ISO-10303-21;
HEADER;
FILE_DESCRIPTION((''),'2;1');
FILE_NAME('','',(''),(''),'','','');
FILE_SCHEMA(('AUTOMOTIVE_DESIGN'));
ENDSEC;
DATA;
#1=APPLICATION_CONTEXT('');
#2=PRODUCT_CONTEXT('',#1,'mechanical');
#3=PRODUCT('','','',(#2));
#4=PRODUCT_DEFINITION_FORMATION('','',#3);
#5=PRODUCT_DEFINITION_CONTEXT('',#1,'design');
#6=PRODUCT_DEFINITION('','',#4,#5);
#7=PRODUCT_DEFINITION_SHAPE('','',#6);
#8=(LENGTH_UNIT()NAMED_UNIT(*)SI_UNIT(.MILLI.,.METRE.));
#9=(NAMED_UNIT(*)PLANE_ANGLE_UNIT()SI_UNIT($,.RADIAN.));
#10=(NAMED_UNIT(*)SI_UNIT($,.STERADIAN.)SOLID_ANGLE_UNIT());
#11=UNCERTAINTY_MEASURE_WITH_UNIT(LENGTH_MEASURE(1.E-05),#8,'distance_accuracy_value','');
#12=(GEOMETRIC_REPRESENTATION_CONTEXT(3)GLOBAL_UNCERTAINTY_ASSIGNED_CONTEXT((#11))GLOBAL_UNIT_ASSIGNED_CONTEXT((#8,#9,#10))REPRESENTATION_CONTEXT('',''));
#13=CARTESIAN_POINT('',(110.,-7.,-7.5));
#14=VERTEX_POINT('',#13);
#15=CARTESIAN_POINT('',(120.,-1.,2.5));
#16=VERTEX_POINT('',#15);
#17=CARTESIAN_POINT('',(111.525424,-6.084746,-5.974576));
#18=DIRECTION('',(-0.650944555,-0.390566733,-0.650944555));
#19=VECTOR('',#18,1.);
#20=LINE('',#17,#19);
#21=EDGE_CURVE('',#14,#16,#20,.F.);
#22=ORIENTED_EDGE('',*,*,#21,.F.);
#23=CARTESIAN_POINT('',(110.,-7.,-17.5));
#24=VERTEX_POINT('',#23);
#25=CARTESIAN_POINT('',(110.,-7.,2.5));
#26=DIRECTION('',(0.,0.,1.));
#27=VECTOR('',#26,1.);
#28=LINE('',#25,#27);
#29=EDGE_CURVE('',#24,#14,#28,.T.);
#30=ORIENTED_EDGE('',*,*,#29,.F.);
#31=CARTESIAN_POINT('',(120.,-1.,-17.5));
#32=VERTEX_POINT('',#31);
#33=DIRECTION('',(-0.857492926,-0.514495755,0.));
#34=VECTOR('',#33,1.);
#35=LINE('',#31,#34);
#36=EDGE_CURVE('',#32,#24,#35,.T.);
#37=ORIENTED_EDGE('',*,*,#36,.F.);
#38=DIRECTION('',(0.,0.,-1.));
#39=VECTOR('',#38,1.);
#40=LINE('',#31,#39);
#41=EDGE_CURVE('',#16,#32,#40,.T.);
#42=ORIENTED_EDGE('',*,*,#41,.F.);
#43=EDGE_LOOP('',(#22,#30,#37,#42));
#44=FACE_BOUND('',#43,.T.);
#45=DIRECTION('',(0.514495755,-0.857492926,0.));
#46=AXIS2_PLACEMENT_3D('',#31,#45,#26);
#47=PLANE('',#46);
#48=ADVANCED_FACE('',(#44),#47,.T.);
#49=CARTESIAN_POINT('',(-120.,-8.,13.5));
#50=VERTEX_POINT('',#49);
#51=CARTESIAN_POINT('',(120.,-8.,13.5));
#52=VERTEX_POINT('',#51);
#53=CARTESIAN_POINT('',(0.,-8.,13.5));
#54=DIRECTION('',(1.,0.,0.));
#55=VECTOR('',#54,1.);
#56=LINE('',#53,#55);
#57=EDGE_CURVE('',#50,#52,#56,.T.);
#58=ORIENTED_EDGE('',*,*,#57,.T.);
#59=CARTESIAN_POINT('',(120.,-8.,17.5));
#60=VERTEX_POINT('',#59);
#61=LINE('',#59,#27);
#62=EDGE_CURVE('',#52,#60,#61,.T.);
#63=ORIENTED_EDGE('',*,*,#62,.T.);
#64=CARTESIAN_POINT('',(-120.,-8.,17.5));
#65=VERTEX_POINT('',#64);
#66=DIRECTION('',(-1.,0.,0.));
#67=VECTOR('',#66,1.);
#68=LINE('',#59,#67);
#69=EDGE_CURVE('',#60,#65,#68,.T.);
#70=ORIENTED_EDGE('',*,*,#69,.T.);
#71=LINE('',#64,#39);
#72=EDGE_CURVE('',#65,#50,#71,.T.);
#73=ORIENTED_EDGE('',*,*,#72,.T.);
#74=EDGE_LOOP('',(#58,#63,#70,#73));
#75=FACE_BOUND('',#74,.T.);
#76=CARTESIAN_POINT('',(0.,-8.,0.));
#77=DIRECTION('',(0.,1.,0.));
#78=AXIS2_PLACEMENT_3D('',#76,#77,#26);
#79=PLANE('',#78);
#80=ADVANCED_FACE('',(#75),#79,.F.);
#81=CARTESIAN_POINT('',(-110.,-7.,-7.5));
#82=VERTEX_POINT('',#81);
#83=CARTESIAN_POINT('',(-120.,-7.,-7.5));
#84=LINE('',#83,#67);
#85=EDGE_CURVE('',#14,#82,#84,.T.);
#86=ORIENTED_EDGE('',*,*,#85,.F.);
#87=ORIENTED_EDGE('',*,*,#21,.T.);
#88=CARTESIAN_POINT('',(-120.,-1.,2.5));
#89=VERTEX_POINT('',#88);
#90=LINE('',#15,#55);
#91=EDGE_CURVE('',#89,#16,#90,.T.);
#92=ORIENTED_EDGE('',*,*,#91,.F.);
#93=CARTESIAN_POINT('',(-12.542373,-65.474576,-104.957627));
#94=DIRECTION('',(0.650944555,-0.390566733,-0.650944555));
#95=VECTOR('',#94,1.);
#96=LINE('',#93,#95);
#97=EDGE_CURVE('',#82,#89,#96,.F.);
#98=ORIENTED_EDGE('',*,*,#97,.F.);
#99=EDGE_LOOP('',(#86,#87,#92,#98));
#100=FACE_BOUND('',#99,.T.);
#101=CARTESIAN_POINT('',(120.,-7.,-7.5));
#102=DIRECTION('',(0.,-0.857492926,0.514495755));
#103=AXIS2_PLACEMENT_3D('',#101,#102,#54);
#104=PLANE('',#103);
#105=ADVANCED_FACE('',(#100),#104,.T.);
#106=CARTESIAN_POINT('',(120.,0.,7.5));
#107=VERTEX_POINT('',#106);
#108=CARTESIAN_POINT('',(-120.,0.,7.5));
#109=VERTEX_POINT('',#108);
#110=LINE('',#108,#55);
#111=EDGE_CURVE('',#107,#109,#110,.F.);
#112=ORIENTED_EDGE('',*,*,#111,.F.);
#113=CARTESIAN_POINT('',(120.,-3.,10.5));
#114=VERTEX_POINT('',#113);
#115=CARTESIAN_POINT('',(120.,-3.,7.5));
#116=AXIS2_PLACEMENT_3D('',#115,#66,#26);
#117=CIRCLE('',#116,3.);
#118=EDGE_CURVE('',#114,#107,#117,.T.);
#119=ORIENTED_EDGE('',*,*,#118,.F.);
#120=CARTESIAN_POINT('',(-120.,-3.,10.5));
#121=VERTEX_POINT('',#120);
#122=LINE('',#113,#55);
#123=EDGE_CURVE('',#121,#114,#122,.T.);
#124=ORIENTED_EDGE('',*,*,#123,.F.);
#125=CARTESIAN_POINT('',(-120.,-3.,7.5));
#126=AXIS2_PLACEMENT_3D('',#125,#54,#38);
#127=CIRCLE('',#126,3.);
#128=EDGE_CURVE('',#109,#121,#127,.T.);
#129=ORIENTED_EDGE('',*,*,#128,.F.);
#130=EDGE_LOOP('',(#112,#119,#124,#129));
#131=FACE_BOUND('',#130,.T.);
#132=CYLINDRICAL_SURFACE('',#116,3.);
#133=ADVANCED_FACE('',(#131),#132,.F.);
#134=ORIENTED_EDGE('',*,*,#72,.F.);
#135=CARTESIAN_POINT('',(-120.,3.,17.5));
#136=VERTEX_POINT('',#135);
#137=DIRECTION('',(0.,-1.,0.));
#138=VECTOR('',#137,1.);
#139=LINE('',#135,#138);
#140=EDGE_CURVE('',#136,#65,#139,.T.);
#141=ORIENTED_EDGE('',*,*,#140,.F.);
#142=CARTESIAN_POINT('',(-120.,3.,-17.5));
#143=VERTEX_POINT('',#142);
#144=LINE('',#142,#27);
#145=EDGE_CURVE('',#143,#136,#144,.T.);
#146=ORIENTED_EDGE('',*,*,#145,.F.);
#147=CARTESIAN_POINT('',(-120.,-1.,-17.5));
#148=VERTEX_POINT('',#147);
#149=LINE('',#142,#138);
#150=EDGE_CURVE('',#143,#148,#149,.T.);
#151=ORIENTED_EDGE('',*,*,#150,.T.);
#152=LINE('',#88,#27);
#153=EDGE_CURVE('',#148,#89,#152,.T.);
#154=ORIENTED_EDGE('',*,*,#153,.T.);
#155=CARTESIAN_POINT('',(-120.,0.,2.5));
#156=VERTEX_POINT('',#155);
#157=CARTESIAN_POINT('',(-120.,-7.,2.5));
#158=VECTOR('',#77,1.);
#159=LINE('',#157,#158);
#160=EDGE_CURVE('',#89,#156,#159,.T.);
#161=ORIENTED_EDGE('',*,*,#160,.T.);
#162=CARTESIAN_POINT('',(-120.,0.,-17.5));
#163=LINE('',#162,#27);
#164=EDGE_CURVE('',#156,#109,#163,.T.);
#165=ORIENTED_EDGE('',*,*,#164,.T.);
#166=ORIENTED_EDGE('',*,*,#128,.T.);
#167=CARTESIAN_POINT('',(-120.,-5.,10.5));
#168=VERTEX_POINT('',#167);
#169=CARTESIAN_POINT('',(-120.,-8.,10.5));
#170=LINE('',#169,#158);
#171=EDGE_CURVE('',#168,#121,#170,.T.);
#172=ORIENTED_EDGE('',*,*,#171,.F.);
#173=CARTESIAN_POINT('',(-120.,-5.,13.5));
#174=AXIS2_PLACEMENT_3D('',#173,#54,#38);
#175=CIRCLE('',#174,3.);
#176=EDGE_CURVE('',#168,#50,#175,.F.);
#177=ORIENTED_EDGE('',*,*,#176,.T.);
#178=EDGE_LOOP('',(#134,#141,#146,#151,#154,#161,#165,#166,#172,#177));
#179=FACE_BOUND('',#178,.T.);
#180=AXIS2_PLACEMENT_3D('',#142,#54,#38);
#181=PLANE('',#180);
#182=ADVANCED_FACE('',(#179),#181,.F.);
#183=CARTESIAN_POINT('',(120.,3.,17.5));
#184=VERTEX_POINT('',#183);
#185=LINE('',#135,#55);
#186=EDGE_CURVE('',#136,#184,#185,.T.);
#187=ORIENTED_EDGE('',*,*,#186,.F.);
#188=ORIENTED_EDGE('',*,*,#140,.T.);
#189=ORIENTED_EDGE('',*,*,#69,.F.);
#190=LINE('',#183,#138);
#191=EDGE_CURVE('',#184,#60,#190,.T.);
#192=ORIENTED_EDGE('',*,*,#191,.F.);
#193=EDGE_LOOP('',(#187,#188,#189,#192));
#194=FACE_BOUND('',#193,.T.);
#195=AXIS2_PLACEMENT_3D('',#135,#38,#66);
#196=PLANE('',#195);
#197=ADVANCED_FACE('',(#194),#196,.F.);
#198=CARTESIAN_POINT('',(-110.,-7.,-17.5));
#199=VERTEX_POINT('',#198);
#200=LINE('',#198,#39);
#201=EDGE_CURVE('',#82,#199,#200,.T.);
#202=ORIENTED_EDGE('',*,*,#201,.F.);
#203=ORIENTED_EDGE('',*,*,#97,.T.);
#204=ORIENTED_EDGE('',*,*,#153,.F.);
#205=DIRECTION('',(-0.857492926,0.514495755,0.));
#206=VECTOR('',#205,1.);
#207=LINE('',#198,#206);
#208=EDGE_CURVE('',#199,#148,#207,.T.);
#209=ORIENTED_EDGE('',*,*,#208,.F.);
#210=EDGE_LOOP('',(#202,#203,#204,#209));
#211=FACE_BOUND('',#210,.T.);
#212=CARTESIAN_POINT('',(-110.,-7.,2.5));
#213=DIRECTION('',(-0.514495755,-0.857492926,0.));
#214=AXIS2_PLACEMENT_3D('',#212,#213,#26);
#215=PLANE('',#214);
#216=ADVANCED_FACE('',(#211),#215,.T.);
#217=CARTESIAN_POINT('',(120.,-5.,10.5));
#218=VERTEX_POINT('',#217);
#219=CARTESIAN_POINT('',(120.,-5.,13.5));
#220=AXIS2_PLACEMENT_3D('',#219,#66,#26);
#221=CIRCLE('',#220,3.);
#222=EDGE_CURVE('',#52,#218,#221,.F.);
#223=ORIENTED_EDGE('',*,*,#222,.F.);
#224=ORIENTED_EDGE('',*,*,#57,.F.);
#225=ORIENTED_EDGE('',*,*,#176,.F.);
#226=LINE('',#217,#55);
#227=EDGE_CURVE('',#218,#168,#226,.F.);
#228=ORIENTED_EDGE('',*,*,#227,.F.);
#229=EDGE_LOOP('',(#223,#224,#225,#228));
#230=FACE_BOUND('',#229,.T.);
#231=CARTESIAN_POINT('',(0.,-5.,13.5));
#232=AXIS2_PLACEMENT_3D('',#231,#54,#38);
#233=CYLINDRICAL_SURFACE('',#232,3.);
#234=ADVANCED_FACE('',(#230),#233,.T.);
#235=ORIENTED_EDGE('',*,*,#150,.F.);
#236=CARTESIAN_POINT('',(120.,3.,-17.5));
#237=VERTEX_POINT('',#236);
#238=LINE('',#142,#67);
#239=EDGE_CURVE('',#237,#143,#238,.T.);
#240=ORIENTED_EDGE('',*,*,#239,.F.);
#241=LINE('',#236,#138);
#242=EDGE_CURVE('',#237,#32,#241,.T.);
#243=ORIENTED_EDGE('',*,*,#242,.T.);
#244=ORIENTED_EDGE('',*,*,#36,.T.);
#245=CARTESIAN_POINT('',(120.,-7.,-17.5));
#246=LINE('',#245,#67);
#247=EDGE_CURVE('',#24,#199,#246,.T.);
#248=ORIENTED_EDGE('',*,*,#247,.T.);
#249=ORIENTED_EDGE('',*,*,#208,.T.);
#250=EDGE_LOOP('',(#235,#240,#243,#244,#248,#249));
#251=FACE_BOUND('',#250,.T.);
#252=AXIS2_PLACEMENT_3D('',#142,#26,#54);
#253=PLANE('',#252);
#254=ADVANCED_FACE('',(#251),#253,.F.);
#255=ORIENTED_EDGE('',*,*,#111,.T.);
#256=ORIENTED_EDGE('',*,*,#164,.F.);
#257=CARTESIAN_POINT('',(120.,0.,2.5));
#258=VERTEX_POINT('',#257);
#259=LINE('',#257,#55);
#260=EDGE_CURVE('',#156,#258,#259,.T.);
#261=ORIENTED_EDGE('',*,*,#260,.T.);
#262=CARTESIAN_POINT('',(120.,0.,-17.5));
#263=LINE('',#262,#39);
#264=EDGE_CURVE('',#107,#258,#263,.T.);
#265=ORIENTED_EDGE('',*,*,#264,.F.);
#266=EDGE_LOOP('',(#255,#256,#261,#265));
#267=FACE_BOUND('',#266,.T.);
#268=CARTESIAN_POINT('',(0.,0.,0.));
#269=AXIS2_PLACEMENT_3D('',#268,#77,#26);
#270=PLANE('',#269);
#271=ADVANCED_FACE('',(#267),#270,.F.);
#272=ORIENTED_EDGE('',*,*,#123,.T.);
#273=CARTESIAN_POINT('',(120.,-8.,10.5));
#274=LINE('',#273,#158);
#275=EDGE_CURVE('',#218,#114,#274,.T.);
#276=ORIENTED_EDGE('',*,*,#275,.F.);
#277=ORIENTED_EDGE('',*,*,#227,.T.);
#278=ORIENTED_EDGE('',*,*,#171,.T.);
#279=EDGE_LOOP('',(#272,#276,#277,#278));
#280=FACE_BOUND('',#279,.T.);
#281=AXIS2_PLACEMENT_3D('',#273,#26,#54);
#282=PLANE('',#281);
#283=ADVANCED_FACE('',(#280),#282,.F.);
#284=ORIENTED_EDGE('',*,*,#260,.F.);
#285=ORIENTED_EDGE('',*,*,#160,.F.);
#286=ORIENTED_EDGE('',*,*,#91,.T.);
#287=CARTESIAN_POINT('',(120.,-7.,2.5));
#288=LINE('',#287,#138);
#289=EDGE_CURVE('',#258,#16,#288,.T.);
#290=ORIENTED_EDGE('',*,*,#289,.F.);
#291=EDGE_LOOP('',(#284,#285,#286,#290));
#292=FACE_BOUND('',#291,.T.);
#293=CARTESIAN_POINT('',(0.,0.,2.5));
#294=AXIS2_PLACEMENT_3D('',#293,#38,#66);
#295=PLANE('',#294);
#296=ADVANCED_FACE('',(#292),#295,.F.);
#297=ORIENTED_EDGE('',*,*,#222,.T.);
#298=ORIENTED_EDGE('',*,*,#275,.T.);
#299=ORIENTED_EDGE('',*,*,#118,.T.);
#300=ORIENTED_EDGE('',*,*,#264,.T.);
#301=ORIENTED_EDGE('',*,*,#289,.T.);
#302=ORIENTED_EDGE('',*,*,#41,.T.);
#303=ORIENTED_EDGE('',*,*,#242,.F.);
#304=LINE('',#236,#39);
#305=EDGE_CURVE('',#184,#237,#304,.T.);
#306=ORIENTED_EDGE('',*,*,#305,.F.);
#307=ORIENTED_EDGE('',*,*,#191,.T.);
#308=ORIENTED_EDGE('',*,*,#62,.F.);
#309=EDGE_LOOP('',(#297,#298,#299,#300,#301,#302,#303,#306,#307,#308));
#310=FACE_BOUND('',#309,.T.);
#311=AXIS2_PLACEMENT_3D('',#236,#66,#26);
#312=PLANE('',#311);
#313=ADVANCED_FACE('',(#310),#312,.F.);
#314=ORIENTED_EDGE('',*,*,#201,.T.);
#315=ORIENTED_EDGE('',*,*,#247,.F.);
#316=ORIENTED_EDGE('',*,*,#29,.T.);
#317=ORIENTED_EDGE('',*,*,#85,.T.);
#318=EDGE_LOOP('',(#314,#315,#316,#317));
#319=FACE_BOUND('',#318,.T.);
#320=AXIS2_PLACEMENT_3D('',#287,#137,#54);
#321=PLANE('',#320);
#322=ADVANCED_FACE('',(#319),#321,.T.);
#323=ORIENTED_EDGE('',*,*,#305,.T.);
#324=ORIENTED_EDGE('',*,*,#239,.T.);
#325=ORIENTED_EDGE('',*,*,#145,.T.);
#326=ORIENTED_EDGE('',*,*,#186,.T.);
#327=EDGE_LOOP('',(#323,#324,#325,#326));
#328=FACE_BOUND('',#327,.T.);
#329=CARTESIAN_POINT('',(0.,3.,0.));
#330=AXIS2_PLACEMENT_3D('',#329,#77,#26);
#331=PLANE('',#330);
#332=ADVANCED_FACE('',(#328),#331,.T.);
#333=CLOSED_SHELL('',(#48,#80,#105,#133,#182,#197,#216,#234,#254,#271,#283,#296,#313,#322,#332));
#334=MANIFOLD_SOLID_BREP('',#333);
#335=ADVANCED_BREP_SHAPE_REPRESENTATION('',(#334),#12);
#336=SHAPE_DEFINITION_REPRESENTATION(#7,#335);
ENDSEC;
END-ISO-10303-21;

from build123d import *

# Parameters (mm, degrees)
SKETCH1_W           = 240
SKETCH1_H           = 35
BOSS_EXTRUDE1_DEPTH = 3
SKETCH3_W           = 240
SKETCH3_H           = 7
BOSS_EXTRUDE3_DEPTH = 8
FILLET1_R           = 3
SKETCH4_W           = 240
SKETCH4_H           = 7
BOSS_EXTRUDE5_DEPTH = 20
CHAMFER1_SIZE       = 10
CHAMFER1_SIZE2      = 6


with BuildPart() as part:
    # Sketch1 → Boss-Extrude1 (new body)
    with BuildSketch(Plane(origin=(0, 0, 0), x_dir=(1, 0, 0), z_dir=(0, 1, 0))):
        Rectangle(SKETCH1_W, SKETCH1_H)
    extrude(amount=BOSS_EXTRUDE1_DEPTH)

    # Sketch3 → Boss-Extrude3 (add)
    with BuildSketch(Plane.XZ):
        with Locations((0, 14)):
            Rectangle(SKETCH3_W, SKETCH3_H)
    extrude(amount=BOSS_EXTRUDE3_DEPTH)

    # Fillet1
    fillet1_edges = [part.edges().sort_by_distance(p)[0] for p in [
        (0, 0, 10.5),
        (0, -8, 10.5),
    ]]
    fillet(fillet1_edges, radius=FILLET1_R)

    # Sketch4 → Boss-Extrude5 (add)
    with BuildSketch(Plane(origin=(0, 0, -17.5), x_dir=(-1, 0, 0), z_dir=(0, 0, -1))):
        with Locations((0, -3.5)):
            Rectangle(SKETCH4_W, SKETCH4_H)
    extrude(amount=-BOSS_EXTRUDE5_DEPTH)

    # Chamfer1
    chamfer1_edges = [part.edges().sort_by_distance(p)[0] for p in [
        (0, -7, 2.5),
        (-120, -7, -7.5),
        (120, -7, -7.5),
    ]]
    chamfer1_side = [part.faces().sort_by_distance(p)[0] for p in [
        (0, -7, -7.5),
    ]]
    chamfer(chamfer1_edges, length=CHAMFER1_SIZE, length2=CHAMFER1_SIZE2, reference=chamfer1_side[0])


solid = part.part
